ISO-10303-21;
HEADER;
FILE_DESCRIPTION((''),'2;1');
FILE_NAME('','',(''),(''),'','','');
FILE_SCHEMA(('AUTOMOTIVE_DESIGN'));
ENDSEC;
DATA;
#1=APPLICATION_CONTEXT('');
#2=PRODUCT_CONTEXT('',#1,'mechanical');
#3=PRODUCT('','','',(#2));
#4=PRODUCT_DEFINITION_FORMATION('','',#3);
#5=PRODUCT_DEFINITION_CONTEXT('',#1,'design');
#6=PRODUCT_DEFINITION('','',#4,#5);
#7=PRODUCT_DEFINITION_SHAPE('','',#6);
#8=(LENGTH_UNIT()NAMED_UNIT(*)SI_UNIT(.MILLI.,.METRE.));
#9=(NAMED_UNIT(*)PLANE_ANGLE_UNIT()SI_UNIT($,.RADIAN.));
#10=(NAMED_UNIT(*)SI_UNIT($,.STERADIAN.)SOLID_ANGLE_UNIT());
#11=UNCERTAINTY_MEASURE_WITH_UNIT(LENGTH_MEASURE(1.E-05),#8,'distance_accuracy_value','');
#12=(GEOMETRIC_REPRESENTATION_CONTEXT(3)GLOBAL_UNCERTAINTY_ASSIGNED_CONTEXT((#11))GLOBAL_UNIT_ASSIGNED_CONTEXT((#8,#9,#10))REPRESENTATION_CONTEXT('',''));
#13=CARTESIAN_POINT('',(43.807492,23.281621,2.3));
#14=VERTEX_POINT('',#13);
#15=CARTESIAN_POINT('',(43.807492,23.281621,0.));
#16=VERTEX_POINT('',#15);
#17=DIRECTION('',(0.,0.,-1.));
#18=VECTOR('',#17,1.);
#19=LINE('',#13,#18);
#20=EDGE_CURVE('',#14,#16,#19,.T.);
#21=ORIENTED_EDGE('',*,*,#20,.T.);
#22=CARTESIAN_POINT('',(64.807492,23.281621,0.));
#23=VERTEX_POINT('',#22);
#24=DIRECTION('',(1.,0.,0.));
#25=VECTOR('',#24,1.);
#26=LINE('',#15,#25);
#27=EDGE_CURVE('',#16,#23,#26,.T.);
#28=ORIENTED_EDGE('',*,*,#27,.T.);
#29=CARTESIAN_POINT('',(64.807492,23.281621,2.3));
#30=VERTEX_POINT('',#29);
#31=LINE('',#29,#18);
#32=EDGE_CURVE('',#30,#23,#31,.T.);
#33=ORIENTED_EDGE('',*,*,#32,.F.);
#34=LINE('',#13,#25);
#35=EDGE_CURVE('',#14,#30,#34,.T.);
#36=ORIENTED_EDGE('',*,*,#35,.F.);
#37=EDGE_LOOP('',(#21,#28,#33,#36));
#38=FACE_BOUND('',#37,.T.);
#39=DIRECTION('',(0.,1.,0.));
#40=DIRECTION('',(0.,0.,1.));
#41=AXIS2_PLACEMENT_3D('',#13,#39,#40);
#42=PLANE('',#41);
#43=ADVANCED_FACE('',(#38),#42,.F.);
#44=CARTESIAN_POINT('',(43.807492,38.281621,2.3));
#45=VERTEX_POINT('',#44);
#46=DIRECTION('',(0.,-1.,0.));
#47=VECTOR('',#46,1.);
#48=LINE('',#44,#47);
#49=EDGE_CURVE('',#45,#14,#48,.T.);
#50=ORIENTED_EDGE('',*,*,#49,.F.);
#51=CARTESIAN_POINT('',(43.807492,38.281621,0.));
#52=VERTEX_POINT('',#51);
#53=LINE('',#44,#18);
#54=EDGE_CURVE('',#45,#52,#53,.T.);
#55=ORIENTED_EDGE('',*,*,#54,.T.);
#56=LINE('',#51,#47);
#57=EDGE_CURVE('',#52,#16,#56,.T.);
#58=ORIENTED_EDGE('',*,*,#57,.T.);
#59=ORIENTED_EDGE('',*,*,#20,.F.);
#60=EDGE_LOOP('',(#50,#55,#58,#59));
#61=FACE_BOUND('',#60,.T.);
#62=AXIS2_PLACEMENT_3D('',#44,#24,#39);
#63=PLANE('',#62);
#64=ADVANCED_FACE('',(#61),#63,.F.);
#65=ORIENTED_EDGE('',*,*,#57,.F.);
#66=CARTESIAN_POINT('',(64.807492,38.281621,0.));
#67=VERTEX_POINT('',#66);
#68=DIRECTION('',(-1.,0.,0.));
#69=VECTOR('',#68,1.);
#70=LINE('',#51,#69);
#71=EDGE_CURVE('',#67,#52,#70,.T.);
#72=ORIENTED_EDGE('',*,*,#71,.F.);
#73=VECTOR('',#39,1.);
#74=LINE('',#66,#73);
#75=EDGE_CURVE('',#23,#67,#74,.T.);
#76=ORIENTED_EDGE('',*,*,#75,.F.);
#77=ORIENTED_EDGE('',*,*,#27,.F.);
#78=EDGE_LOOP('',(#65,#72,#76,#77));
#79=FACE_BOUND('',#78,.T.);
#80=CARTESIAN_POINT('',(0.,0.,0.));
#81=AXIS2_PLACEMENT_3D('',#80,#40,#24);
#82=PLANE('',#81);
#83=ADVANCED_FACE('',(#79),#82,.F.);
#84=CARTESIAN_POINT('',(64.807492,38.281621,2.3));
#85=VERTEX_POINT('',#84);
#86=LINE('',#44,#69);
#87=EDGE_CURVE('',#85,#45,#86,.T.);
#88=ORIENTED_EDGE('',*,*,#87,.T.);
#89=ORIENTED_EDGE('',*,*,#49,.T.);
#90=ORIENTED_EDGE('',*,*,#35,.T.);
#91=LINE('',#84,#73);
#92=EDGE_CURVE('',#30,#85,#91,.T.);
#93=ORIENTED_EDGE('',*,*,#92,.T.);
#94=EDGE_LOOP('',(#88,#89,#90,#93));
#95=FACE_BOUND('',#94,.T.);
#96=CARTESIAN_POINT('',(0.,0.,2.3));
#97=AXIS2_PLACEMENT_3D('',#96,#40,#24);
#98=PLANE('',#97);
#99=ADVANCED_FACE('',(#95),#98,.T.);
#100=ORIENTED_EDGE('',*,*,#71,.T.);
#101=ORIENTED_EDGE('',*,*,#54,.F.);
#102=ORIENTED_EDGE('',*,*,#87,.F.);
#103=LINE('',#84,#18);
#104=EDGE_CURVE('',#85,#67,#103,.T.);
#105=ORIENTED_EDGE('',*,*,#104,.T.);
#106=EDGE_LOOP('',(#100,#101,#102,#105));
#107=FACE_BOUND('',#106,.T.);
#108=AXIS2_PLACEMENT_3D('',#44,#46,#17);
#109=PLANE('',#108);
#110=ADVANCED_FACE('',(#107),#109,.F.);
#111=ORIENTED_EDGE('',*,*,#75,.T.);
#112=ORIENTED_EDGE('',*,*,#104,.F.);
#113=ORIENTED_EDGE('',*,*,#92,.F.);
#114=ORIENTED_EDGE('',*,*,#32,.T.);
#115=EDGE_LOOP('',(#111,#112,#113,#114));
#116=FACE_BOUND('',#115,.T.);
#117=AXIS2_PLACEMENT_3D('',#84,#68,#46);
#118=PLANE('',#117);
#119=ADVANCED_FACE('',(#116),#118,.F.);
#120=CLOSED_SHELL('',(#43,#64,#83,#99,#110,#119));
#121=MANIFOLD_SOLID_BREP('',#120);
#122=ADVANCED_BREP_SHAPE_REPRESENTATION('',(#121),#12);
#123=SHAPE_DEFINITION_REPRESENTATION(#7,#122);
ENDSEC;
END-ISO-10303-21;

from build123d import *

# Parameters (mm, degrees)
SKETCH_1_W      = 21
SKETCH_1_H      = 15
EXTRUDE_1_DEPTH = 2.3


with BuildPart() as part:
    # 草图1 → 凸台-拉伸1 (new body)
    with BuildSketch(Plane.XY):
        with Locations((54.307491971, 30.781620917)):
            Rectangle(SKETCH_1_W, SKETCH_1_H)
    extrude(amount=EXTRUDE_1_DEPTH)


solid = part.part
